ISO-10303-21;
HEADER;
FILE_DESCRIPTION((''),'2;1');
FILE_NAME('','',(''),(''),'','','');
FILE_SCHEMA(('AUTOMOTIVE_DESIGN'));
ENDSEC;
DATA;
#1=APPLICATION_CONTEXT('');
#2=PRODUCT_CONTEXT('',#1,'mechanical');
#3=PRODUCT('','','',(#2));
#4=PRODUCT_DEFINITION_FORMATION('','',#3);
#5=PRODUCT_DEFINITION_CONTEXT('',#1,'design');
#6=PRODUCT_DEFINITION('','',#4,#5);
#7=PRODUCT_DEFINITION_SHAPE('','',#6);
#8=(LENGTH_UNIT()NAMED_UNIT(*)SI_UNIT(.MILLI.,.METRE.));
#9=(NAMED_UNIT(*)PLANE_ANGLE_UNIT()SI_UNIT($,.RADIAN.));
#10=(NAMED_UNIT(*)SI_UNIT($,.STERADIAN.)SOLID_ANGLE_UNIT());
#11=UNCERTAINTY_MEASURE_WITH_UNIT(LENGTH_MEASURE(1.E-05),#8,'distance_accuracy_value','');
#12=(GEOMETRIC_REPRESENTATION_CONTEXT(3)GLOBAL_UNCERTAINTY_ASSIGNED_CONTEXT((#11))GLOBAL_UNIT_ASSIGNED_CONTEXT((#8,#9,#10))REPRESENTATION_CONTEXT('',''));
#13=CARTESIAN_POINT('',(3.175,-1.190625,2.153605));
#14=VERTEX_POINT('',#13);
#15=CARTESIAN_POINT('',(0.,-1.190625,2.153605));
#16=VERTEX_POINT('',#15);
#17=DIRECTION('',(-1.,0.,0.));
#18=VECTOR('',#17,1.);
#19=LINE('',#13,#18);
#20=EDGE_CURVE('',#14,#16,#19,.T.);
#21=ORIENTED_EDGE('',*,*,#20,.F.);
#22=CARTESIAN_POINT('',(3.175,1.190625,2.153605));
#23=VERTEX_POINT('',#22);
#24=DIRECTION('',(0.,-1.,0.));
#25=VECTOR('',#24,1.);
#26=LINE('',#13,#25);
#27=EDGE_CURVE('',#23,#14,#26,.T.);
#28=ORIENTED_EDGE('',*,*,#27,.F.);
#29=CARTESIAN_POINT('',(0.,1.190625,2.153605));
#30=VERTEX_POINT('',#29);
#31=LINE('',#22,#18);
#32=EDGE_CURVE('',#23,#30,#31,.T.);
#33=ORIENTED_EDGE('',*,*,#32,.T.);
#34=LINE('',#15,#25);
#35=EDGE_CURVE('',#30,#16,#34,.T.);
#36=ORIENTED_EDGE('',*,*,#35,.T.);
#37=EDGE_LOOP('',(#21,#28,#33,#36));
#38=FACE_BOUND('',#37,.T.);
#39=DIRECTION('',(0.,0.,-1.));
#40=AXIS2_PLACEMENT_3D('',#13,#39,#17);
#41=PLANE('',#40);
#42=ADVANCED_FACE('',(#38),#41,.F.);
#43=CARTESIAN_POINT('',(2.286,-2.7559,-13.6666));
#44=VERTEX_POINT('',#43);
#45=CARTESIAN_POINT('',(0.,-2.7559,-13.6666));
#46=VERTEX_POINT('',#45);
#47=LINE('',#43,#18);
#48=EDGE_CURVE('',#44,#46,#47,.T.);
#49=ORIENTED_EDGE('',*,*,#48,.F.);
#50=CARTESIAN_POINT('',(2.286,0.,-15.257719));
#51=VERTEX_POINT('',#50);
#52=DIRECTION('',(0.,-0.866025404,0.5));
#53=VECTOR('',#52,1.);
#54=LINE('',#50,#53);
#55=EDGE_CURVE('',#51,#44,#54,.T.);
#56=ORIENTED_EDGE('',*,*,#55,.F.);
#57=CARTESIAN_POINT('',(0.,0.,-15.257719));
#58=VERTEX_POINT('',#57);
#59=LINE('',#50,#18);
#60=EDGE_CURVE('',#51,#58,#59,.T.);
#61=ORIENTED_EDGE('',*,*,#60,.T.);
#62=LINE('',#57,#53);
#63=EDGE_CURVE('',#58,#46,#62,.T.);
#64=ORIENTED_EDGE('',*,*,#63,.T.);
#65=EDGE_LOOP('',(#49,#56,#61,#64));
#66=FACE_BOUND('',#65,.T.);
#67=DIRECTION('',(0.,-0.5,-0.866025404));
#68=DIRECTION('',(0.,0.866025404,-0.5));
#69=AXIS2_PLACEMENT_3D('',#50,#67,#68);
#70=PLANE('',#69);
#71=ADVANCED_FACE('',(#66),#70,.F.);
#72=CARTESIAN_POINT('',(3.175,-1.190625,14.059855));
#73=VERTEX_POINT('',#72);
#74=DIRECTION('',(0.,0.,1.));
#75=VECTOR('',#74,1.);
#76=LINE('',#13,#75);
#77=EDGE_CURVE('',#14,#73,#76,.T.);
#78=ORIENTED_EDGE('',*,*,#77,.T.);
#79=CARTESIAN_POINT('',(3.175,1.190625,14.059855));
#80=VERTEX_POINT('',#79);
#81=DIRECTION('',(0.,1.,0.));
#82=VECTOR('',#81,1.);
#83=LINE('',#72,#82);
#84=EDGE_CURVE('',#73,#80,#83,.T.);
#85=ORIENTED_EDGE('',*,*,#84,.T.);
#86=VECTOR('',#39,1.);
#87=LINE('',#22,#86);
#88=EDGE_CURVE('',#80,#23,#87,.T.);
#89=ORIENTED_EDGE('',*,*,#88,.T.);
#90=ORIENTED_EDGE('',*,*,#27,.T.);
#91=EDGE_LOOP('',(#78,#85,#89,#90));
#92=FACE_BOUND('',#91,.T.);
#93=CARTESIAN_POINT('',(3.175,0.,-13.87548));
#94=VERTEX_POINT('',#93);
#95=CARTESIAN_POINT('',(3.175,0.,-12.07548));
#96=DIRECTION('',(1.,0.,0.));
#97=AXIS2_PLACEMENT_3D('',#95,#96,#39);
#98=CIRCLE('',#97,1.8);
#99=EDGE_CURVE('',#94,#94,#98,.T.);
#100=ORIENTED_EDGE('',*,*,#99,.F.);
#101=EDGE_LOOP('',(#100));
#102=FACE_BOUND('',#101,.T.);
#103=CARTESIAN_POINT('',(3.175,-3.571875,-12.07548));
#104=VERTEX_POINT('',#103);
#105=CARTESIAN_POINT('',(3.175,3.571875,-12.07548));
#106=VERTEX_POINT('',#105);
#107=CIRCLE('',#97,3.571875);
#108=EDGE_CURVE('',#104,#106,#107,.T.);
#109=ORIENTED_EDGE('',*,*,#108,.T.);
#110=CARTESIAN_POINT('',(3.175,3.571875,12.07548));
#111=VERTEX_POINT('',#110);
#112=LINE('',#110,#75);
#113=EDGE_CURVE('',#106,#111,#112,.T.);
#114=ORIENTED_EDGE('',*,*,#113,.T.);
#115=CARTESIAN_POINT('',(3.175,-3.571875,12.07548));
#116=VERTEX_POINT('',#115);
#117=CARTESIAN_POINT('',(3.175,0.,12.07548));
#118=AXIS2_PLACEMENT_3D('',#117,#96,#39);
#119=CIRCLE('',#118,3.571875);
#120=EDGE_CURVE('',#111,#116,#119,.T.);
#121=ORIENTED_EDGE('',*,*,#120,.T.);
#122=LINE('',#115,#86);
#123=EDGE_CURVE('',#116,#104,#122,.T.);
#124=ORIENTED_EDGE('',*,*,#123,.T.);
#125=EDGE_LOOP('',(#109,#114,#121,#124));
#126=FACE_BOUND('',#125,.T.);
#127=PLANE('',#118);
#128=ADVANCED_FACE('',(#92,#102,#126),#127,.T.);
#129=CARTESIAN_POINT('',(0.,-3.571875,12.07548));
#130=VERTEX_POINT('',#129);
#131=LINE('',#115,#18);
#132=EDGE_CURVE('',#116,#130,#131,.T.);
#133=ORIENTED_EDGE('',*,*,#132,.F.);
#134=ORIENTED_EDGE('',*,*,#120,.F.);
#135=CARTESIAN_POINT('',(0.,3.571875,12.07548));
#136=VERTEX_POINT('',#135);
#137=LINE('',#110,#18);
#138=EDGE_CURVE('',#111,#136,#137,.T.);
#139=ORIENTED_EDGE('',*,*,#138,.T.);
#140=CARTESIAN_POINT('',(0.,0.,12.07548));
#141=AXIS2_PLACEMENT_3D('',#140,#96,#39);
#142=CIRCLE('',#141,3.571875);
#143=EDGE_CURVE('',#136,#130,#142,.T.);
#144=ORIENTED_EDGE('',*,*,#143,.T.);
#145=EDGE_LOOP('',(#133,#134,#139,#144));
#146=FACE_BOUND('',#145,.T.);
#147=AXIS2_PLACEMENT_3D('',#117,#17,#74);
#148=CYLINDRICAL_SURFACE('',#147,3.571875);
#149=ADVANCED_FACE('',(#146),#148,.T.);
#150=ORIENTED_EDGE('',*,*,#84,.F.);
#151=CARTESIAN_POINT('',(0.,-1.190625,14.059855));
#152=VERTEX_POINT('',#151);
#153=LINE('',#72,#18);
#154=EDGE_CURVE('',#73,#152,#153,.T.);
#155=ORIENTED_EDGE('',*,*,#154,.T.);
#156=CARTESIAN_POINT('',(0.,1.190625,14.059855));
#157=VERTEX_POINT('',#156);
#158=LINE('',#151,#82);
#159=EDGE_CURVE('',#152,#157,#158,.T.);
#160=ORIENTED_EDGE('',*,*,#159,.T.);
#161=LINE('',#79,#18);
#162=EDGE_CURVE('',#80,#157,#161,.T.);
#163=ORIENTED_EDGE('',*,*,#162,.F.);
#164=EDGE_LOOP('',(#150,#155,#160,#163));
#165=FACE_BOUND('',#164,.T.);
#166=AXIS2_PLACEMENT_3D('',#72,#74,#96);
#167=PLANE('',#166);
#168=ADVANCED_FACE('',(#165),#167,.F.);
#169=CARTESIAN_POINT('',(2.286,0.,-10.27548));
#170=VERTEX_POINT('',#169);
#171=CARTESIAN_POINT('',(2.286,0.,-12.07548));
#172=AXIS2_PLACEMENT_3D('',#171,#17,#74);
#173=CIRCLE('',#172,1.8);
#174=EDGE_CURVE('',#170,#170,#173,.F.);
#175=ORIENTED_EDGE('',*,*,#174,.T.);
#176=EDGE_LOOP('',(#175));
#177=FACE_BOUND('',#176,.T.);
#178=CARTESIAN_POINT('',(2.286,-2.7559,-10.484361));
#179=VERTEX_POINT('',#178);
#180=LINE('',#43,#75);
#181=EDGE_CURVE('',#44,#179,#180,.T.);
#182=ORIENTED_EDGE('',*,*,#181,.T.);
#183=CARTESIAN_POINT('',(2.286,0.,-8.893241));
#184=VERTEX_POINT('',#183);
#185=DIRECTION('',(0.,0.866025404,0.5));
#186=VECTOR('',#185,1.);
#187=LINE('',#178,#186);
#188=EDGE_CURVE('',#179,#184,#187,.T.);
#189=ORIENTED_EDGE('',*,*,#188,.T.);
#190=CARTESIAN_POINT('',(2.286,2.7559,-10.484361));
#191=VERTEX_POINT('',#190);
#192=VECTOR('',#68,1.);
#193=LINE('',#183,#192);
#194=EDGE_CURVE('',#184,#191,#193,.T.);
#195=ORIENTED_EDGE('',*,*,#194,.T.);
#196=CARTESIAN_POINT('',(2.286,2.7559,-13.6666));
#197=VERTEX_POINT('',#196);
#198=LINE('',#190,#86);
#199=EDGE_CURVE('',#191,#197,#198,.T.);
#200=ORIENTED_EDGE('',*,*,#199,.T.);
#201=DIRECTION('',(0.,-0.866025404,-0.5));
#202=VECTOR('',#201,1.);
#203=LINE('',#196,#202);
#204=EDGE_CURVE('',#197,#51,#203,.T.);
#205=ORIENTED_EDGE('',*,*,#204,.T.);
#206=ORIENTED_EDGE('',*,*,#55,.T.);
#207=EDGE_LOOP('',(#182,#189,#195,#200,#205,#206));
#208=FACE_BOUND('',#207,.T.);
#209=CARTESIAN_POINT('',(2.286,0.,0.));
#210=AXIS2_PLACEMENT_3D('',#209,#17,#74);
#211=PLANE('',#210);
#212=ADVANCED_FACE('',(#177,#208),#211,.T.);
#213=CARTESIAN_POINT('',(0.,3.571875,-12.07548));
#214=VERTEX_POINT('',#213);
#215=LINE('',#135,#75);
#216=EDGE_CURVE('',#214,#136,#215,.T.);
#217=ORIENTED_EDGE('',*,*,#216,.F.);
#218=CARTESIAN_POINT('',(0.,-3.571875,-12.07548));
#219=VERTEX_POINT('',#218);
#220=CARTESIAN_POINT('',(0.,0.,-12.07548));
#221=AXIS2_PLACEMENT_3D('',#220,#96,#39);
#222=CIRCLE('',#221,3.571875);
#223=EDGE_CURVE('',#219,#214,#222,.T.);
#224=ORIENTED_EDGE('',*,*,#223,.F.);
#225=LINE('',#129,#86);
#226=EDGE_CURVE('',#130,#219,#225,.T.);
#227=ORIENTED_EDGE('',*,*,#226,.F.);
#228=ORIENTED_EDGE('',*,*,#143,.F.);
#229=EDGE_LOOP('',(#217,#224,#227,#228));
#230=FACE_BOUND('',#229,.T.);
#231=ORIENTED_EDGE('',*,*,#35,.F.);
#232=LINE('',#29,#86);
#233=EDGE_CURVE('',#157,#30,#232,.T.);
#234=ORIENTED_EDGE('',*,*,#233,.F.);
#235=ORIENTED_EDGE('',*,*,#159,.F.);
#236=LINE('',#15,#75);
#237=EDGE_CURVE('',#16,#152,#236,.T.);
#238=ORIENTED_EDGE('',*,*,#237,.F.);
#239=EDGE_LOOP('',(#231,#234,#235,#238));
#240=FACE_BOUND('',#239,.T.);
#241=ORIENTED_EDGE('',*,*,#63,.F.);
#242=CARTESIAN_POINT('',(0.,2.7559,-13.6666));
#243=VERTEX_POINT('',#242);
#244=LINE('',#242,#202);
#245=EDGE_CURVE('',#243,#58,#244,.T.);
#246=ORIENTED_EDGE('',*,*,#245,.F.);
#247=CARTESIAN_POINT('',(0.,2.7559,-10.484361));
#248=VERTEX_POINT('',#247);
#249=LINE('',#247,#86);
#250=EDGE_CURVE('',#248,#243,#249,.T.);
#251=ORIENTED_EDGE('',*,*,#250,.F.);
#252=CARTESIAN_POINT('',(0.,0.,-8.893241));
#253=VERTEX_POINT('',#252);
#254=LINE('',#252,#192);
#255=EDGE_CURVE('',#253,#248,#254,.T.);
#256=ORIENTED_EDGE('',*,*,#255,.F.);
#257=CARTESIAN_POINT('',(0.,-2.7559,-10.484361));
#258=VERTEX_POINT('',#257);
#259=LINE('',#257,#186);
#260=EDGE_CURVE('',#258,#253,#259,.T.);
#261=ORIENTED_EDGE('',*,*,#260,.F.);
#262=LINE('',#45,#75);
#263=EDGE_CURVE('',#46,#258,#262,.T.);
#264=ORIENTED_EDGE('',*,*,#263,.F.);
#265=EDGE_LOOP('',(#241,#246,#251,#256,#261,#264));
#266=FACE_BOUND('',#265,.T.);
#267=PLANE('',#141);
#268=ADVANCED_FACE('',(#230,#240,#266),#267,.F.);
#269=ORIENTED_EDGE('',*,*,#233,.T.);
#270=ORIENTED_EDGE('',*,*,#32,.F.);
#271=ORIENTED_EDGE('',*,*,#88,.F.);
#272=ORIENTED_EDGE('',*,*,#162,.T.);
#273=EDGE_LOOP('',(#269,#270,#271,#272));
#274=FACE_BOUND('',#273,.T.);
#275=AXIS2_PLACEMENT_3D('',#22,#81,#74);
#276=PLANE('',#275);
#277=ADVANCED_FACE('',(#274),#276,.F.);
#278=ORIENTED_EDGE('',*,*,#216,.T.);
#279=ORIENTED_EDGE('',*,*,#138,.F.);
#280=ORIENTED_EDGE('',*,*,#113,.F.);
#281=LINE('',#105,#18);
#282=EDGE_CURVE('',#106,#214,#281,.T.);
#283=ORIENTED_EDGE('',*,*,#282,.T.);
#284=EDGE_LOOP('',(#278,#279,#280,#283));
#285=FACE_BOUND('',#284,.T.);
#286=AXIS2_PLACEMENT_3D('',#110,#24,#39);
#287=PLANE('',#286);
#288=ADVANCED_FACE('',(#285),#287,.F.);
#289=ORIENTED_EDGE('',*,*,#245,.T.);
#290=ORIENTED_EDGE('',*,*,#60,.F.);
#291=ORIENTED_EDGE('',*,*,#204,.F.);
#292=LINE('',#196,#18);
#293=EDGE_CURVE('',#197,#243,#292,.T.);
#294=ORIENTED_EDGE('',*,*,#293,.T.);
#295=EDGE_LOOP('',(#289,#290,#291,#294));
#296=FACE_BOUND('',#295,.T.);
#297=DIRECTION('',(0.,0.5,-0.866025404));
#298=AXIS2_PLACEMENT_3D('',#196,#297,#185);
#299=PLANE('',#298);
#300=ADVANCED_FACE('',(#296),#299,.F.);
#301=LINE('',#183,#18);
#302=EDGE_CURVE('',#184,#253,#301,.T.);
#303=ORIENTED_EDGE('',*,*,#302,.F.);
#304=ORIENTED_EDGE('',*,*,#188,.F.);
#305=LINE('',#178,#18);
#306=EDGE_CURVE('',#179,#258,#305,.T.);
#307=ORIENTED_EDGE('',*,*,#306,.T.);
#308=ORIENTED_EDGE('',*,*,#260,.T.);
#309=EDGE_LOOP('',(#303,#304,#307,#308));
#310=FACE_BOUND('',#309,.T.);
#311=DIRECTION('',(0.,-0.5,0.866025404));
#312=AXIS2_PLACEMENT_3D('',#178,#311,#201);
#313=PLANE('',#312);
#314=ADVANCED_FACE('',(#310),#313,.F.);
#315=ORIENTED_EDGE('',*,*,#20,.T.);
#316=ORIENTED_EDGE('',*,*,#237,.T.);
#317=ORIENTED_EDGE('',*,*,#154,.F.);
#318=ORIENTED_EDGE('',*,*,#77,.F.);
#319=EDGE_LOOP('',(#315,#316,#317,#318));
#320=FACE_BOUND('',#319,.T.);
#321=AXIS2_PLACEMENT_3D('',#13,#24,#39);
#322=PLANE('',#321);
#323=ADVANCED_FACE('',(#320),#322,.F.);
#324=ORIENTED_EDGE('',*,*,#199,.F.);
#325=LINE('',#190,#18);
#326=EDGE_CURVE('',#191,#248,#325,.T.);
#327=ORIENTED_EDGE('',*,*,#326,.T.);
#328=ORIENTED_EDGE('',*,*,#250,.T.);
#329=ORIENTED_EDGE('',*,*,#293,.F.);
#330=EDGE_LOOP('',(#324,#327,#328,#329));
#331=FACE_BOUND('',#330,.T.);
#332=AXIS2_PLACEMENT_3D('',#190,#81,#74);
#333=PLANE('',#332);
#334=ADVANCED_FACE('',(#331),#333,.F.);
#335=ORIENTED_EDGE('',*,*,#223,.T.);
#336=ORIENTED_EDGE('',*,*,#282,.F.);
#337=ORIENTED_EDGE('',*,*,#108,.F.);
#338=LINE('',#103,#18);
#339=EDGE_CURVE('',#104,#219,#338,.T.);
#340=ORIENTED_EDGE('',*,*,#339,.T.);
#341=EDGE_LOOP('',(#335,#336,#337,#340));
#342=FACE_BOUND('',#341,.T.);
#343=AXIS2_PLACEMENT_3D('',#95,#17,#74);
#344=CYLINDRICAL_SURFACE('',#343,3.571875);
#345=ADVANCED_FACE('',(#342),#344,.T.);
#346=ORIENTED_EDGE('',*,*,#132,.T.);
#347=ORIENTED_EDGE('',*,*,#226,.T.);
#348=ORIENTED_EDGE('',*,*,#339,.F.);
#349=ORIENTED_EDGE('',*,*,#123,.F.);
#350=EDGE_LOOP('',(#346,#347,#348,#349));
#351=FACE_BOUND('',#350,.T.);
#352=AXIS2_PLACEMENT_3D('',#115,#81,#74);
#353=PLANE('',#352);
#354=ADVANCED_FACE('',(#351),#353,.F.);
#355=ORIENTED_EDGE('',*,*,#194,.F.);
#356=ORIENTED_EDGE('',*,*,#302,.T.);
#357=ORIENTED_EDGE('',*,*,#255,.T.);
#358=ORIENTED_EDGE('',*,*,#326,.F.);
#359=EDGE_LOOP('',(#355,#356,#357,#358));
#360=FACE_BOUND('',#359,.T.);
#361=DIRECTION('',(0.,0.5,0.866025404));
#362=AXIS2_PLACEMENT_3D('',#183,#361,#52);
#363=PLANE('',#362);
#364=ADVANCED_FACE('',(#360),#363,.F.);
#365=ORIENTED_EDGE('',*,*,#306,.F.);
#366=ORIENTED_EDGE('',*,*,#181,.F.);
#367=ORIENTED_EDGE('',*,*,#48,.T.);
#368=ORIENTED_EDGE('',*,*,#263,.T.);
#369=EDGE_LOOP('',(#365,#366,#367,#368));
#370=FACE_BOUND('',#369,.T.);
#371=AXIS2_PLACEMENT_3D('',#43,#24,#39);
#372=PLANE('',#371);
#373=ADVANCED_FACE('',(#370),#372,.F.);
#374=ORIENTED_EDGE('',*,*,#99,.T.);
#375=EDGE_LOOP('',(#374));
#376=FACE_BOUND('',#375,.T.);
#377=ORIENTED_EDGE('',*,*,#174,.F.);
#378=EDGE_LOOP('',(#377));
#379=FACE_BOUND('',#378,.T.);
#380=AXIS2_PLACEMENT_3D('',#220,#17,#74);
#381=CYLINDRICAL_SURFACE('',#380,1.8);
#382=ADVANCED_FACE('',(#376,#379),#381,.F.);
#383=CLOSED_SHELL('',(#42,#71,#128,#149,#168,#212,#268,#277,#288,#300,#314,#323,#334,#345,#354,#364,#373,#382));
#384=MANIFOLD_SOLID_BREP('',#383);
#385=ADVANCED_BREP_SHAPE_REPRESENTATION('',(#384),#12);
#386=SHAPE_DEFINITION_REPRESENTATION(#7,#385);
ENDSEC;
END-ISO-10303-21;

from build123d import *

# Parameters (mm, degrees)
BOSS_EXTRUDE1_DEPTH      = 3.175
M3_CLEARANCE_HOLE1_D     = 3.6
M3_CLEARANCE_HOLE1_DEPTH = 7.62
M3_CLEARANCE_HOLE1_TIP   = 1.081549114
SKETCH9_W                = 11.90625
SKETCH9_H                = 2.38125
CUT_EXTRUDE1_DEPTH       = 17.360887498
CUT_EXTRUDE2_DEPTH       = 2.286


with BuildPart() as part:
    # Sketch1 → Boss-Extrude1 (new body)
    with BuildSketch(Plane(origin=(0, 0, 0), x_dir=(0, 0, -1), z_dir=(1, 0, 0))):
        with BuildLine():
            Line((-12.075480167, 3.571875), (12.075480167, 3.571875))
            ThreePointArc((12.075480167, 3.571875), (15.647355167, 0), (12.075480167, -3.571875))
            Line((12.075480167, -3.571875), (-12.075480167, -3.571875))
            ThreePointArc((-12.075480167, -3.571875), (-15.647355167, 0), (-12.075480167, 3.571875))
        make_face()
    extrude(amount=BOSS_EXTRUDE1_DEPTH)

    # M3 Clearance Hole1
    with Locations(Plane.ZY):
        with Locations((-12.075480167, 0)):
            Hole(M3_CLEARANCE_HOLE1_D / 2, depth=M3_CLEARANCE_HOLE1_DEPTH)
            with Locations((0, 0, -(M3_CLEARANCE_HOLE1_DEPTH + M3_CLEARANCE_HOLE1_TIP / 2))):  # 118° drill point
                Cone(0, M3_CLEARANCE_HOLE1_D / 2, M3_CLEARANCE_HOLE1_TIP, mode=Mode.SUBTRACT)

    # Sketch9 → Cut-Extrude1 (cut, through all)
    with BuildSketch(Plane.ZY):
        with Locations((8.106730167, 0)):
            Rectangle(SKETCH9_W, SKETCH9_H)
    extrude(amount=-CUT_EXTRUDE1_DEPTH, mode=Mode.SUBTRACT)

    # Sketch10 → Cut-Extrude2 (cut)
    with BuildSketch(Plane.ZY):
        Polygon((-10.48436056, -2.7559), (-8.893240953, 0), (-10.48436056, 2.7559), (-13.666599774, 2.7559), (-15.257719381, 0), (-13.666599774, -2.7559), align=None)
    extrude(amount=-CUT_EXTRUDE2_DEPTH, mode=Mode.SUBTRACT)


solid = part.part
